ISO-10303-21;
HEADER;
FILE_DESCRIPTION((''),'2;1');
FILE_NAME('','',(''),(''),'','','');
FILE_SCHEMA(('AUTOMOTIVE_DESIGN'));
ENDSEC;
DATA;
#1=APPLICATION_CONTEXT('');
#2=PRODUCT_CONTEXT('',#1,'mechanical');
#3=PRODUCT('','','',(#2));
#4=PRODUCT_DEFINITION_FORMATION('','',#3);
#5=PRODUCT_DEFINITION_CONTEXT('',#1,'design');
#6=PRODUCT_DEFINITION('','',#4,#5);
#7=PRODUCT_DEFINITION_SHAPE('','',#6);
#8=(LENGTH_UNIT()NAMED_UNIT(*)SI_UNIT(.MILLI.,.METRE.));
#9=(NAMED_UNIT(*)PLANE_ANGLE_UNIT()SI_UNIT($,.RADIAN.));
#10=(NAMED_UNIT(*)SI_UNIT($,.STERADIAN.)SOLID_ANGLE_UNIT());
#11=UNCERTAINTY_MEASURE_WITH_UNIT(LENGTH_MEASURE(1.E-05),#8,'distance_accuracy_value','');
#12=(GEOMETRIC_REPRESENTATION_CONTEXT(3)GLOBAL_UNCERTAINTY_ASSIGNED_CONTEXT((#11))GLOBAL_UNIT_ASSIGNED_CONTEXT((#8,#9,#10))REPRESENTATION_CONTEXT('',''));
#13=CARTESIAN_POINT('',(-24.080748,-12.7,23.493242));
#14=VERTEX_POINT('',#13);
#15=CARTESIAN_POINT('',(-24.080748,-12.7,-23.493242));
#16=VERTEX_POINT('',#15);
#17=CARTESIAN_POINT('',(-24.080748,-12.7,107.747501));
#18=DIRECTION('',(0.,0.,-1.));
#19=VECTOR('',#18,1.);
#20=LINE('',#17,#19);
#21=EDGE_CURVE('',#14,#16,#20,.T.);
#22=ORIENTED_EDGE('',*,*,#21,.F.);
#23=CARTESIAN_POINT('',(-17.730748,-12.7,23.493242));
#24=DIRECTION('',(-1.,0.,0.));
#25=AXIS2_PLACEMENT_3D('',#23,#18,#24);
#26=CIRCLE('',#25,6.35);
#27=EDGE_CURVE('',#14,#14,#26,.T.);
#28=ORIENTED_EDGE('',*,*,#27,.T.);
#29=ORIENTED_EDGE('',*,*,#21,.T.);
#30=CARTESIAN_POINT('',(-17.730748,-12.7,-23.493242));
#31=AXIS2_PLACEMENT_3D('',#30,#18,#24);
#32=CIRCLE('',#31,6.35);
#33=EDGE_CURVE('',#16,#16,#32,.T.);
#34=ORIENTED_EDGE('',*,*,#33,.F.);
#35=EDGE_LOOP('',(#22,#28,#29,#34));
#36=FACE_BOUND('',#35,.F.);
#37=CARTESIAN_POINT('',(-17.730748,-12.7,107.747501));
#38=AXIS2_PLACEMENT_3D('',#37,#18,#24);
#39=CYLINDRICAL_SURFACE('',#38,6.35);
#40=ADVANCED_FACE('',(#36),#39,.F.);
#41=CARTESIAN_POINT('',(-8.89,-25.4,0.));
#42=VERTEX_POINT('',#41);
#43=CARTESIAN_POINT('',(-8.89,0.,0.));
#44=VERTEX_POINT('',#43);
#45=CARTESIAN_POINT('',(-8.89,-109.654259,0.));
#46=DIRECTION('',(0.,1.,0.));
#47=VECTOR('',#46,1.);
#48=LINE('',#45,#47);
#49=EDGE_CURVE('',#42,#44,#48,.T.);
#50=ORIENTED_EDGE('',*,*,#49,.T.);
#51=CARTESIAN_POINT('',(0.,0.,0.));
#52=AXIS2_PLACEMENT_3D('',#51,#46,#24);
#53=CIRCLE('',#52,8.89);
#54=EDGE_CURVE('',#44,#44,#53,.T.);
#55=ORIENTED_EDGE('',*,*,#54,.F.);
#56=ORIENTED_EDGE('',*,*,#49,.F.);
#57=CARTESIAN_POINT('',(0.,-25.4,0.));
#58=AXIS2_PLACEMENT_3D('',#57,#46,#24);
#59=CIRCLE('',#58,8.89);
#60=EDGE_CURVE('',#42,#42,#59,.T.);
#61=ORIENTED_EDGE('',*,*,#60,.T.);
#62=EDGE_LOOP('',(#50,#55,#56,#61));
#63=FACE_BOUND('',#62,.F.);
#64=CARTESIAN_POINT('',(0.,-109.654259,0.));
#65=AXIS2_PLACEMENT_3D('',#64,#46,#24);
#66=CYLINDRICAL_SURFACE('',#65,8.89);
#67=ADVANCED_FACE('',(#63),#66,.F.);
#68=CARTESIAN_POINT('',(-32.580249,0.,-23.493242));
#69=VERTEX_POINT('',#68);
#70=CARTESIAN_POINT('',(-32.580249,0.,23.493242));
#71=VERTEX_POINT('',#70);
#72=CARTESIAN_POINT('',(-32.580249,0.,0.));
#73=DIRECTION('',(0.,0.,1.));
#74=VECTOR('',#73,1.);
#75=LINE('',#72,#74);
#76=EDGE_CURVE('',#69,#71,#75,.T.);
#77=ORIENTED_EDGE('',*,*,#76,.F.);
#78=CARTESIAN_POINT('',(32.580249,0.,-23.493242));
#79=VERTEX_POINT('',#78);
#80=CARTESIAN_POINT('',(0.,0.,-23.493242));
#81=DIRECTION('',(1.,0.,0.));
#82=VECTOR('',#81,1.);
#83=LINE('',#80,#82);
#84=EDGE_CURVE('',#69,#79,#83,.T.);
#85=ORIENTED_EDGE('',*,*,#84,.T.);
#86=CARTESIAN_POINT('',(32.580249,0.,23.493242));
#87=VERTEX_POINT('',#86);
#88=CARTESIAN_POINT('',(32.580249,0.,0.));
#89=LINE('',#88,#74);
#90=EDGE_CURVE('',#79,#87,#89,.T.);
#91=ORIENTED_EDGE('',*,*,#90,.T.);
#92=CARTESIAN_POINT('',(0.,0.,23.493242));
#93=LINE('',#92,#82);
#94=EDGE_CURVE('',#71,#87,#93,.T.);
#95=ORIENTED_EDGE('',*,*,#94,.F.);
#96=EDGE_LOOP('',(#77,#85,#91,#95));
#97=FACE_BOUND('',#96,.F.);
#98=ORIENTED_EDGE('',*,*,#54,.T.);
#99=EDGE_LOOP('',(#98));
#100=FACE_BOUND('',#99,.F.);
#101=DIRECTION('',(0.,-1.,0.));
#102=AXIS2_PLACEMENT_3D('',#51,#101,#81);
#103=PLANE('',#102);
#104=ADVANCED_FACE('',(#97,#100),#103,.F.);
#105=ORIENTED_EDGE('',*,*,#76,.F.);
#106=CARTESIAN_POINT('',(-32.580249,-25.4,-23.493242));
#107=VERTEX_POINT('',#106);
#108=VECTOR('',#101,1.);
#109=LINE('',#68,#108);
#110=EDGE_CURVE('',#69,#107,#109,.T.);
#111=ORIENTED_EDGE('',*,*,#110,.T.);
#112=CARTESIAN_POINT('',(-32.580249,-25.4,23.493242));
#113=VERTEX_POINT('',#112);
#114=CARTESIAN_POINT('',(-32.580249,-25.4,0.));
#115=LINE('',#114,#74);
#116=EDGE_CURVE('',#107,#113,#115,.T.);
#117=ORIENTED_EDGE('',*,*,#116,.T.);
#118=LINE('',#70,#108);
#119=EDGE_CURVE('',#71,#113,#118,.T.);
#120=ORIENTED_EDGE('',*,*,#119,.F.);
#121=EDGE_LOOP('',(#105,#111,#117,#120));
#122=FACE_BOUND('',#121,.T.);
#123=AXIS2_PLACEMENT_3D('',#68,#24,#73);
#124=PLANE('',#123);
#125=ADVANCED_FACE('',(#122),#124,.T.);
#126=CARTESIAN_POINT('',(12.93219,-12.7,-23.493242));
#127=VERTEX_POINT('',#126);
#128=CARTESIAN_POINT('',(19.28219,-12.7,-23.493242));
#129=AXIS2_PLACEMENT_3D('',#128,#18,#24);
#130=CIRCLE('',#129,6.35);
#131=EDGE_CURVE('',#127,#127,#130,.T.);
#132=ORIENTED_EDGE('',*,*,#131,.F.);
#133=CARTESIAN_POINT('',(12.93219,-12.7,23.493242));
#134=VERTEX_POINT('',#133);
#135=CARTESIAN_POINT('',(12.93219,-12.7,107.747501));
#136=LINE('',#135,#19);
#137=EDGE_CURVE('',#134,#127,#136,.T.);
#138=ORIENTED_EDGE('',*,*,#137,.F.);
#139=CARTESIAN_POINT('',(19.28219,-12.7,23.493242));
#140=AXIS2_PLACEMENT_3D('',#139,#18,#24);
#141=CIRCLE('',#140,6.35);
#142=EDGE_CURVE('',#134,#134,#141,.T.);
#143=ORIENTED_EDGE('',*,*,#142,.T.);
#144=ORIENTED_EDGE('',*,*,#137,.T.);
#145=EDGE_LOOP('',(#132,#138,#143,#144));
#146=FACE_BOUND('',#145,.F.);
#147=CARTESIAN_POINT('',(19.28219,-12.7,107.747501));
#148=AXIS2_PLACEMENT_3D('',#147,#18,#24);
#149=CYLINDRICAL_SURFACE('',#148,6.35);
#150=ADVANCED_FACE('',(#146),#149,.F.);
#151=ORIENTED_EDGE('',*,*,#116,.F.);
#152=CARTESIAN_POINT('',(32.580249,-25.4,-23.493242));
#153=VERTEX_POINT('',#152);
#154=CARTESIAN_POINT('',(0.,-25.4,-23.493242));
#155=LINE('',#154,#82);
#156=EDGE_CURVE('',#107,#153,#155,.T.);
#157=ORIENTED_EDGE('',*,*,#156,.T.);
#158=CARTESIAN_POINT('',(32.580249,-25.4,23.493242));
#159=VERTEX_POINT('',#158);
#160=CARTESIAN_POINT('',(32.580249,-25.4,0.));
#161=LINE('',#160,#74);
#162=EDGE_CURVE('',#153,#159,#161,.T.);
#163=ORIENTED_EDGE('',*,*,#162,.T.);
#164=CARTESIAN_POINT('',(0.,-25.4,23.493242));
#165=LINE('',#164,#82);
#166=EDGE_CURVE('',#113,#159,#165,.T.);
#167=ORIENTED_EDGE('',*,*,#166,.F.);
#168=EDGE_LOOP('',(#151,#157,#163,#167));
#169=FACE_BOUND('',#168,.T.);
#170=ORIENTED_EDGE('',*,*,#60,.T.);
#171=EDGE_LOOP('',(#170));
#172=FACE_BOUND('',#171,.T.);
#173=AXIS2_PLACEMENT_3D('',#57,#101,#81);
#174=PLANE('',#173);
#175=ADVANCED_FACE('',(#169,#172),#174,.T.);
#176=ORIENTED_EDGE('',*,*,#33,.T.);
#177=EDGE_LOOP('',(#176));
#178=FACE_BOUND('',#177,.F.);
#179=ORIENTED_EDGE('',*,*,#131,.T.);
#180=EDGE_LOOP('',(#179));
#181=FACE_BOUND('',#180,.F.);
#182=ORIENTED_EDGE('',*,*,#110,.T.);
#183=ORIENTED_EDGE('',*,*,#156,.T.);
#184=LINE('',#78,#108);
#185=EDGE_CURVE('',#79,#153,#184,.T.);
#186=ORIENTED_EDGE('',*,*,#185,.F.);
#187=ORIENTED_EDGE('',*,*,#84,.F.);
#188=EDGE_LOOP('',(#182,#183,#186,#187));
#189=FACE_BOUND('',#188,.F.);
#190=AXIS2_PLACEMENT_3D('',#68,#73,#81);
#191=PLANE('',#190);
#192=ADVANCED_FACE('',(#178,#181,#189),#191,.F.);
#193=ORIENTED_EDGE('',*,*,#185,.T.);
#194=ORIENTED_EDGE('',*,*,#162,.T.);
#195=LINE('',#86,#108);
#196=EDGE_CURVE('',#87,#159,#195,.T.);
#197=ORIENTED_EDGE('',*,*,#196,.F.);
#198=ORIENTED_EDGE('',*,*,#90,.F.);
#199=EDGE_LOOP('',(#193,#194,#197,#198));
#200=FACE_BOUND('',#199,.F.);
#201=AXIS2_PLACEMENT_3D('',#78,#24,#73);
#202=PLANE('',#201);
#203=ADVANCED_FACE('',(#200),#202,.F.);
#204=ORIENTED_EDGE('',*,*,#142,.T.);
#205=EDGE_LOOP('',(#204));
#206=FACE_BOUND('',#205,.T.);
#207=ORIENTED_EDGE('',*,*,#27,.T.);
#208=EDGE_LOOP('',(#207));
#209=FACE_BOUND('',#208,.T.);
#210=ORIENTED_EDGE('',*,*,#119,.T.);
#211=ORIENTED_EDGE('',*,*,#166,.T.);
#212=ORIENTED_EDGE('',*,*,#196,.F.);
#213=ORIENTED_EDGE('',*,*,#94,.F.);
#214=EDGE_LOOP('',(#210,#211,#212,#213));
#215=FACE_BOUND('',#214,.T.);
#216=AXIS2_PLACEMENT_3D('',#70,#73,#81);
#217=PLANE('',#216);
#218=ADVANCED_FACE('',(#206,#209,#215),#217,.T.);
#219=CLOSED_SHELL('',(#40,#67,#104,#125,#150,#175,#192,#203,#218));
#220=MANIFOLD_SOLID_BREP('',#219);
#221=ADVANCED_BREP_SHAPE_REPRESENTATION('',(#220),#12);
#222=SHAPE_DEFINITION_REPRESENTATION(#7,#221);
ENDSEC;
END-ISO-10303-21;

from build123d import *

# Parameters (mm, degrees)
F0_W     = 65.160498
F0_H     = 46.986484
F1_DEPTH = 25.4
F3_D     = 17.78
F5_D     = 12.7
F7_D     = 12.7


with BuildPart() as f1:
    # F0 (on Front) → F1 (new body)
    with BuildSketch(Plane.XZ):
        Rectangle(F0_W, F0_H)
    extrude(amount=F1_DEPTH)

    # F3 (through all)
    with Locations(Plane.XZ.offset(25.4)):
        with Locations((0, 0)):
            Hole(F3_D / 2)

    # F5 (through all)
    with Locations(Plane.XY.offset(23.493242)):
        with Locations((-17.730748, -12.7)):
            Hole(F5_D / 2)

    # F7 (through all)
    with Locations(Plane.XY.offset(23.493242)):
        with Locations((19.28219, -12.7)):
            Hole(F7_D / 2)


solid = f1.part
